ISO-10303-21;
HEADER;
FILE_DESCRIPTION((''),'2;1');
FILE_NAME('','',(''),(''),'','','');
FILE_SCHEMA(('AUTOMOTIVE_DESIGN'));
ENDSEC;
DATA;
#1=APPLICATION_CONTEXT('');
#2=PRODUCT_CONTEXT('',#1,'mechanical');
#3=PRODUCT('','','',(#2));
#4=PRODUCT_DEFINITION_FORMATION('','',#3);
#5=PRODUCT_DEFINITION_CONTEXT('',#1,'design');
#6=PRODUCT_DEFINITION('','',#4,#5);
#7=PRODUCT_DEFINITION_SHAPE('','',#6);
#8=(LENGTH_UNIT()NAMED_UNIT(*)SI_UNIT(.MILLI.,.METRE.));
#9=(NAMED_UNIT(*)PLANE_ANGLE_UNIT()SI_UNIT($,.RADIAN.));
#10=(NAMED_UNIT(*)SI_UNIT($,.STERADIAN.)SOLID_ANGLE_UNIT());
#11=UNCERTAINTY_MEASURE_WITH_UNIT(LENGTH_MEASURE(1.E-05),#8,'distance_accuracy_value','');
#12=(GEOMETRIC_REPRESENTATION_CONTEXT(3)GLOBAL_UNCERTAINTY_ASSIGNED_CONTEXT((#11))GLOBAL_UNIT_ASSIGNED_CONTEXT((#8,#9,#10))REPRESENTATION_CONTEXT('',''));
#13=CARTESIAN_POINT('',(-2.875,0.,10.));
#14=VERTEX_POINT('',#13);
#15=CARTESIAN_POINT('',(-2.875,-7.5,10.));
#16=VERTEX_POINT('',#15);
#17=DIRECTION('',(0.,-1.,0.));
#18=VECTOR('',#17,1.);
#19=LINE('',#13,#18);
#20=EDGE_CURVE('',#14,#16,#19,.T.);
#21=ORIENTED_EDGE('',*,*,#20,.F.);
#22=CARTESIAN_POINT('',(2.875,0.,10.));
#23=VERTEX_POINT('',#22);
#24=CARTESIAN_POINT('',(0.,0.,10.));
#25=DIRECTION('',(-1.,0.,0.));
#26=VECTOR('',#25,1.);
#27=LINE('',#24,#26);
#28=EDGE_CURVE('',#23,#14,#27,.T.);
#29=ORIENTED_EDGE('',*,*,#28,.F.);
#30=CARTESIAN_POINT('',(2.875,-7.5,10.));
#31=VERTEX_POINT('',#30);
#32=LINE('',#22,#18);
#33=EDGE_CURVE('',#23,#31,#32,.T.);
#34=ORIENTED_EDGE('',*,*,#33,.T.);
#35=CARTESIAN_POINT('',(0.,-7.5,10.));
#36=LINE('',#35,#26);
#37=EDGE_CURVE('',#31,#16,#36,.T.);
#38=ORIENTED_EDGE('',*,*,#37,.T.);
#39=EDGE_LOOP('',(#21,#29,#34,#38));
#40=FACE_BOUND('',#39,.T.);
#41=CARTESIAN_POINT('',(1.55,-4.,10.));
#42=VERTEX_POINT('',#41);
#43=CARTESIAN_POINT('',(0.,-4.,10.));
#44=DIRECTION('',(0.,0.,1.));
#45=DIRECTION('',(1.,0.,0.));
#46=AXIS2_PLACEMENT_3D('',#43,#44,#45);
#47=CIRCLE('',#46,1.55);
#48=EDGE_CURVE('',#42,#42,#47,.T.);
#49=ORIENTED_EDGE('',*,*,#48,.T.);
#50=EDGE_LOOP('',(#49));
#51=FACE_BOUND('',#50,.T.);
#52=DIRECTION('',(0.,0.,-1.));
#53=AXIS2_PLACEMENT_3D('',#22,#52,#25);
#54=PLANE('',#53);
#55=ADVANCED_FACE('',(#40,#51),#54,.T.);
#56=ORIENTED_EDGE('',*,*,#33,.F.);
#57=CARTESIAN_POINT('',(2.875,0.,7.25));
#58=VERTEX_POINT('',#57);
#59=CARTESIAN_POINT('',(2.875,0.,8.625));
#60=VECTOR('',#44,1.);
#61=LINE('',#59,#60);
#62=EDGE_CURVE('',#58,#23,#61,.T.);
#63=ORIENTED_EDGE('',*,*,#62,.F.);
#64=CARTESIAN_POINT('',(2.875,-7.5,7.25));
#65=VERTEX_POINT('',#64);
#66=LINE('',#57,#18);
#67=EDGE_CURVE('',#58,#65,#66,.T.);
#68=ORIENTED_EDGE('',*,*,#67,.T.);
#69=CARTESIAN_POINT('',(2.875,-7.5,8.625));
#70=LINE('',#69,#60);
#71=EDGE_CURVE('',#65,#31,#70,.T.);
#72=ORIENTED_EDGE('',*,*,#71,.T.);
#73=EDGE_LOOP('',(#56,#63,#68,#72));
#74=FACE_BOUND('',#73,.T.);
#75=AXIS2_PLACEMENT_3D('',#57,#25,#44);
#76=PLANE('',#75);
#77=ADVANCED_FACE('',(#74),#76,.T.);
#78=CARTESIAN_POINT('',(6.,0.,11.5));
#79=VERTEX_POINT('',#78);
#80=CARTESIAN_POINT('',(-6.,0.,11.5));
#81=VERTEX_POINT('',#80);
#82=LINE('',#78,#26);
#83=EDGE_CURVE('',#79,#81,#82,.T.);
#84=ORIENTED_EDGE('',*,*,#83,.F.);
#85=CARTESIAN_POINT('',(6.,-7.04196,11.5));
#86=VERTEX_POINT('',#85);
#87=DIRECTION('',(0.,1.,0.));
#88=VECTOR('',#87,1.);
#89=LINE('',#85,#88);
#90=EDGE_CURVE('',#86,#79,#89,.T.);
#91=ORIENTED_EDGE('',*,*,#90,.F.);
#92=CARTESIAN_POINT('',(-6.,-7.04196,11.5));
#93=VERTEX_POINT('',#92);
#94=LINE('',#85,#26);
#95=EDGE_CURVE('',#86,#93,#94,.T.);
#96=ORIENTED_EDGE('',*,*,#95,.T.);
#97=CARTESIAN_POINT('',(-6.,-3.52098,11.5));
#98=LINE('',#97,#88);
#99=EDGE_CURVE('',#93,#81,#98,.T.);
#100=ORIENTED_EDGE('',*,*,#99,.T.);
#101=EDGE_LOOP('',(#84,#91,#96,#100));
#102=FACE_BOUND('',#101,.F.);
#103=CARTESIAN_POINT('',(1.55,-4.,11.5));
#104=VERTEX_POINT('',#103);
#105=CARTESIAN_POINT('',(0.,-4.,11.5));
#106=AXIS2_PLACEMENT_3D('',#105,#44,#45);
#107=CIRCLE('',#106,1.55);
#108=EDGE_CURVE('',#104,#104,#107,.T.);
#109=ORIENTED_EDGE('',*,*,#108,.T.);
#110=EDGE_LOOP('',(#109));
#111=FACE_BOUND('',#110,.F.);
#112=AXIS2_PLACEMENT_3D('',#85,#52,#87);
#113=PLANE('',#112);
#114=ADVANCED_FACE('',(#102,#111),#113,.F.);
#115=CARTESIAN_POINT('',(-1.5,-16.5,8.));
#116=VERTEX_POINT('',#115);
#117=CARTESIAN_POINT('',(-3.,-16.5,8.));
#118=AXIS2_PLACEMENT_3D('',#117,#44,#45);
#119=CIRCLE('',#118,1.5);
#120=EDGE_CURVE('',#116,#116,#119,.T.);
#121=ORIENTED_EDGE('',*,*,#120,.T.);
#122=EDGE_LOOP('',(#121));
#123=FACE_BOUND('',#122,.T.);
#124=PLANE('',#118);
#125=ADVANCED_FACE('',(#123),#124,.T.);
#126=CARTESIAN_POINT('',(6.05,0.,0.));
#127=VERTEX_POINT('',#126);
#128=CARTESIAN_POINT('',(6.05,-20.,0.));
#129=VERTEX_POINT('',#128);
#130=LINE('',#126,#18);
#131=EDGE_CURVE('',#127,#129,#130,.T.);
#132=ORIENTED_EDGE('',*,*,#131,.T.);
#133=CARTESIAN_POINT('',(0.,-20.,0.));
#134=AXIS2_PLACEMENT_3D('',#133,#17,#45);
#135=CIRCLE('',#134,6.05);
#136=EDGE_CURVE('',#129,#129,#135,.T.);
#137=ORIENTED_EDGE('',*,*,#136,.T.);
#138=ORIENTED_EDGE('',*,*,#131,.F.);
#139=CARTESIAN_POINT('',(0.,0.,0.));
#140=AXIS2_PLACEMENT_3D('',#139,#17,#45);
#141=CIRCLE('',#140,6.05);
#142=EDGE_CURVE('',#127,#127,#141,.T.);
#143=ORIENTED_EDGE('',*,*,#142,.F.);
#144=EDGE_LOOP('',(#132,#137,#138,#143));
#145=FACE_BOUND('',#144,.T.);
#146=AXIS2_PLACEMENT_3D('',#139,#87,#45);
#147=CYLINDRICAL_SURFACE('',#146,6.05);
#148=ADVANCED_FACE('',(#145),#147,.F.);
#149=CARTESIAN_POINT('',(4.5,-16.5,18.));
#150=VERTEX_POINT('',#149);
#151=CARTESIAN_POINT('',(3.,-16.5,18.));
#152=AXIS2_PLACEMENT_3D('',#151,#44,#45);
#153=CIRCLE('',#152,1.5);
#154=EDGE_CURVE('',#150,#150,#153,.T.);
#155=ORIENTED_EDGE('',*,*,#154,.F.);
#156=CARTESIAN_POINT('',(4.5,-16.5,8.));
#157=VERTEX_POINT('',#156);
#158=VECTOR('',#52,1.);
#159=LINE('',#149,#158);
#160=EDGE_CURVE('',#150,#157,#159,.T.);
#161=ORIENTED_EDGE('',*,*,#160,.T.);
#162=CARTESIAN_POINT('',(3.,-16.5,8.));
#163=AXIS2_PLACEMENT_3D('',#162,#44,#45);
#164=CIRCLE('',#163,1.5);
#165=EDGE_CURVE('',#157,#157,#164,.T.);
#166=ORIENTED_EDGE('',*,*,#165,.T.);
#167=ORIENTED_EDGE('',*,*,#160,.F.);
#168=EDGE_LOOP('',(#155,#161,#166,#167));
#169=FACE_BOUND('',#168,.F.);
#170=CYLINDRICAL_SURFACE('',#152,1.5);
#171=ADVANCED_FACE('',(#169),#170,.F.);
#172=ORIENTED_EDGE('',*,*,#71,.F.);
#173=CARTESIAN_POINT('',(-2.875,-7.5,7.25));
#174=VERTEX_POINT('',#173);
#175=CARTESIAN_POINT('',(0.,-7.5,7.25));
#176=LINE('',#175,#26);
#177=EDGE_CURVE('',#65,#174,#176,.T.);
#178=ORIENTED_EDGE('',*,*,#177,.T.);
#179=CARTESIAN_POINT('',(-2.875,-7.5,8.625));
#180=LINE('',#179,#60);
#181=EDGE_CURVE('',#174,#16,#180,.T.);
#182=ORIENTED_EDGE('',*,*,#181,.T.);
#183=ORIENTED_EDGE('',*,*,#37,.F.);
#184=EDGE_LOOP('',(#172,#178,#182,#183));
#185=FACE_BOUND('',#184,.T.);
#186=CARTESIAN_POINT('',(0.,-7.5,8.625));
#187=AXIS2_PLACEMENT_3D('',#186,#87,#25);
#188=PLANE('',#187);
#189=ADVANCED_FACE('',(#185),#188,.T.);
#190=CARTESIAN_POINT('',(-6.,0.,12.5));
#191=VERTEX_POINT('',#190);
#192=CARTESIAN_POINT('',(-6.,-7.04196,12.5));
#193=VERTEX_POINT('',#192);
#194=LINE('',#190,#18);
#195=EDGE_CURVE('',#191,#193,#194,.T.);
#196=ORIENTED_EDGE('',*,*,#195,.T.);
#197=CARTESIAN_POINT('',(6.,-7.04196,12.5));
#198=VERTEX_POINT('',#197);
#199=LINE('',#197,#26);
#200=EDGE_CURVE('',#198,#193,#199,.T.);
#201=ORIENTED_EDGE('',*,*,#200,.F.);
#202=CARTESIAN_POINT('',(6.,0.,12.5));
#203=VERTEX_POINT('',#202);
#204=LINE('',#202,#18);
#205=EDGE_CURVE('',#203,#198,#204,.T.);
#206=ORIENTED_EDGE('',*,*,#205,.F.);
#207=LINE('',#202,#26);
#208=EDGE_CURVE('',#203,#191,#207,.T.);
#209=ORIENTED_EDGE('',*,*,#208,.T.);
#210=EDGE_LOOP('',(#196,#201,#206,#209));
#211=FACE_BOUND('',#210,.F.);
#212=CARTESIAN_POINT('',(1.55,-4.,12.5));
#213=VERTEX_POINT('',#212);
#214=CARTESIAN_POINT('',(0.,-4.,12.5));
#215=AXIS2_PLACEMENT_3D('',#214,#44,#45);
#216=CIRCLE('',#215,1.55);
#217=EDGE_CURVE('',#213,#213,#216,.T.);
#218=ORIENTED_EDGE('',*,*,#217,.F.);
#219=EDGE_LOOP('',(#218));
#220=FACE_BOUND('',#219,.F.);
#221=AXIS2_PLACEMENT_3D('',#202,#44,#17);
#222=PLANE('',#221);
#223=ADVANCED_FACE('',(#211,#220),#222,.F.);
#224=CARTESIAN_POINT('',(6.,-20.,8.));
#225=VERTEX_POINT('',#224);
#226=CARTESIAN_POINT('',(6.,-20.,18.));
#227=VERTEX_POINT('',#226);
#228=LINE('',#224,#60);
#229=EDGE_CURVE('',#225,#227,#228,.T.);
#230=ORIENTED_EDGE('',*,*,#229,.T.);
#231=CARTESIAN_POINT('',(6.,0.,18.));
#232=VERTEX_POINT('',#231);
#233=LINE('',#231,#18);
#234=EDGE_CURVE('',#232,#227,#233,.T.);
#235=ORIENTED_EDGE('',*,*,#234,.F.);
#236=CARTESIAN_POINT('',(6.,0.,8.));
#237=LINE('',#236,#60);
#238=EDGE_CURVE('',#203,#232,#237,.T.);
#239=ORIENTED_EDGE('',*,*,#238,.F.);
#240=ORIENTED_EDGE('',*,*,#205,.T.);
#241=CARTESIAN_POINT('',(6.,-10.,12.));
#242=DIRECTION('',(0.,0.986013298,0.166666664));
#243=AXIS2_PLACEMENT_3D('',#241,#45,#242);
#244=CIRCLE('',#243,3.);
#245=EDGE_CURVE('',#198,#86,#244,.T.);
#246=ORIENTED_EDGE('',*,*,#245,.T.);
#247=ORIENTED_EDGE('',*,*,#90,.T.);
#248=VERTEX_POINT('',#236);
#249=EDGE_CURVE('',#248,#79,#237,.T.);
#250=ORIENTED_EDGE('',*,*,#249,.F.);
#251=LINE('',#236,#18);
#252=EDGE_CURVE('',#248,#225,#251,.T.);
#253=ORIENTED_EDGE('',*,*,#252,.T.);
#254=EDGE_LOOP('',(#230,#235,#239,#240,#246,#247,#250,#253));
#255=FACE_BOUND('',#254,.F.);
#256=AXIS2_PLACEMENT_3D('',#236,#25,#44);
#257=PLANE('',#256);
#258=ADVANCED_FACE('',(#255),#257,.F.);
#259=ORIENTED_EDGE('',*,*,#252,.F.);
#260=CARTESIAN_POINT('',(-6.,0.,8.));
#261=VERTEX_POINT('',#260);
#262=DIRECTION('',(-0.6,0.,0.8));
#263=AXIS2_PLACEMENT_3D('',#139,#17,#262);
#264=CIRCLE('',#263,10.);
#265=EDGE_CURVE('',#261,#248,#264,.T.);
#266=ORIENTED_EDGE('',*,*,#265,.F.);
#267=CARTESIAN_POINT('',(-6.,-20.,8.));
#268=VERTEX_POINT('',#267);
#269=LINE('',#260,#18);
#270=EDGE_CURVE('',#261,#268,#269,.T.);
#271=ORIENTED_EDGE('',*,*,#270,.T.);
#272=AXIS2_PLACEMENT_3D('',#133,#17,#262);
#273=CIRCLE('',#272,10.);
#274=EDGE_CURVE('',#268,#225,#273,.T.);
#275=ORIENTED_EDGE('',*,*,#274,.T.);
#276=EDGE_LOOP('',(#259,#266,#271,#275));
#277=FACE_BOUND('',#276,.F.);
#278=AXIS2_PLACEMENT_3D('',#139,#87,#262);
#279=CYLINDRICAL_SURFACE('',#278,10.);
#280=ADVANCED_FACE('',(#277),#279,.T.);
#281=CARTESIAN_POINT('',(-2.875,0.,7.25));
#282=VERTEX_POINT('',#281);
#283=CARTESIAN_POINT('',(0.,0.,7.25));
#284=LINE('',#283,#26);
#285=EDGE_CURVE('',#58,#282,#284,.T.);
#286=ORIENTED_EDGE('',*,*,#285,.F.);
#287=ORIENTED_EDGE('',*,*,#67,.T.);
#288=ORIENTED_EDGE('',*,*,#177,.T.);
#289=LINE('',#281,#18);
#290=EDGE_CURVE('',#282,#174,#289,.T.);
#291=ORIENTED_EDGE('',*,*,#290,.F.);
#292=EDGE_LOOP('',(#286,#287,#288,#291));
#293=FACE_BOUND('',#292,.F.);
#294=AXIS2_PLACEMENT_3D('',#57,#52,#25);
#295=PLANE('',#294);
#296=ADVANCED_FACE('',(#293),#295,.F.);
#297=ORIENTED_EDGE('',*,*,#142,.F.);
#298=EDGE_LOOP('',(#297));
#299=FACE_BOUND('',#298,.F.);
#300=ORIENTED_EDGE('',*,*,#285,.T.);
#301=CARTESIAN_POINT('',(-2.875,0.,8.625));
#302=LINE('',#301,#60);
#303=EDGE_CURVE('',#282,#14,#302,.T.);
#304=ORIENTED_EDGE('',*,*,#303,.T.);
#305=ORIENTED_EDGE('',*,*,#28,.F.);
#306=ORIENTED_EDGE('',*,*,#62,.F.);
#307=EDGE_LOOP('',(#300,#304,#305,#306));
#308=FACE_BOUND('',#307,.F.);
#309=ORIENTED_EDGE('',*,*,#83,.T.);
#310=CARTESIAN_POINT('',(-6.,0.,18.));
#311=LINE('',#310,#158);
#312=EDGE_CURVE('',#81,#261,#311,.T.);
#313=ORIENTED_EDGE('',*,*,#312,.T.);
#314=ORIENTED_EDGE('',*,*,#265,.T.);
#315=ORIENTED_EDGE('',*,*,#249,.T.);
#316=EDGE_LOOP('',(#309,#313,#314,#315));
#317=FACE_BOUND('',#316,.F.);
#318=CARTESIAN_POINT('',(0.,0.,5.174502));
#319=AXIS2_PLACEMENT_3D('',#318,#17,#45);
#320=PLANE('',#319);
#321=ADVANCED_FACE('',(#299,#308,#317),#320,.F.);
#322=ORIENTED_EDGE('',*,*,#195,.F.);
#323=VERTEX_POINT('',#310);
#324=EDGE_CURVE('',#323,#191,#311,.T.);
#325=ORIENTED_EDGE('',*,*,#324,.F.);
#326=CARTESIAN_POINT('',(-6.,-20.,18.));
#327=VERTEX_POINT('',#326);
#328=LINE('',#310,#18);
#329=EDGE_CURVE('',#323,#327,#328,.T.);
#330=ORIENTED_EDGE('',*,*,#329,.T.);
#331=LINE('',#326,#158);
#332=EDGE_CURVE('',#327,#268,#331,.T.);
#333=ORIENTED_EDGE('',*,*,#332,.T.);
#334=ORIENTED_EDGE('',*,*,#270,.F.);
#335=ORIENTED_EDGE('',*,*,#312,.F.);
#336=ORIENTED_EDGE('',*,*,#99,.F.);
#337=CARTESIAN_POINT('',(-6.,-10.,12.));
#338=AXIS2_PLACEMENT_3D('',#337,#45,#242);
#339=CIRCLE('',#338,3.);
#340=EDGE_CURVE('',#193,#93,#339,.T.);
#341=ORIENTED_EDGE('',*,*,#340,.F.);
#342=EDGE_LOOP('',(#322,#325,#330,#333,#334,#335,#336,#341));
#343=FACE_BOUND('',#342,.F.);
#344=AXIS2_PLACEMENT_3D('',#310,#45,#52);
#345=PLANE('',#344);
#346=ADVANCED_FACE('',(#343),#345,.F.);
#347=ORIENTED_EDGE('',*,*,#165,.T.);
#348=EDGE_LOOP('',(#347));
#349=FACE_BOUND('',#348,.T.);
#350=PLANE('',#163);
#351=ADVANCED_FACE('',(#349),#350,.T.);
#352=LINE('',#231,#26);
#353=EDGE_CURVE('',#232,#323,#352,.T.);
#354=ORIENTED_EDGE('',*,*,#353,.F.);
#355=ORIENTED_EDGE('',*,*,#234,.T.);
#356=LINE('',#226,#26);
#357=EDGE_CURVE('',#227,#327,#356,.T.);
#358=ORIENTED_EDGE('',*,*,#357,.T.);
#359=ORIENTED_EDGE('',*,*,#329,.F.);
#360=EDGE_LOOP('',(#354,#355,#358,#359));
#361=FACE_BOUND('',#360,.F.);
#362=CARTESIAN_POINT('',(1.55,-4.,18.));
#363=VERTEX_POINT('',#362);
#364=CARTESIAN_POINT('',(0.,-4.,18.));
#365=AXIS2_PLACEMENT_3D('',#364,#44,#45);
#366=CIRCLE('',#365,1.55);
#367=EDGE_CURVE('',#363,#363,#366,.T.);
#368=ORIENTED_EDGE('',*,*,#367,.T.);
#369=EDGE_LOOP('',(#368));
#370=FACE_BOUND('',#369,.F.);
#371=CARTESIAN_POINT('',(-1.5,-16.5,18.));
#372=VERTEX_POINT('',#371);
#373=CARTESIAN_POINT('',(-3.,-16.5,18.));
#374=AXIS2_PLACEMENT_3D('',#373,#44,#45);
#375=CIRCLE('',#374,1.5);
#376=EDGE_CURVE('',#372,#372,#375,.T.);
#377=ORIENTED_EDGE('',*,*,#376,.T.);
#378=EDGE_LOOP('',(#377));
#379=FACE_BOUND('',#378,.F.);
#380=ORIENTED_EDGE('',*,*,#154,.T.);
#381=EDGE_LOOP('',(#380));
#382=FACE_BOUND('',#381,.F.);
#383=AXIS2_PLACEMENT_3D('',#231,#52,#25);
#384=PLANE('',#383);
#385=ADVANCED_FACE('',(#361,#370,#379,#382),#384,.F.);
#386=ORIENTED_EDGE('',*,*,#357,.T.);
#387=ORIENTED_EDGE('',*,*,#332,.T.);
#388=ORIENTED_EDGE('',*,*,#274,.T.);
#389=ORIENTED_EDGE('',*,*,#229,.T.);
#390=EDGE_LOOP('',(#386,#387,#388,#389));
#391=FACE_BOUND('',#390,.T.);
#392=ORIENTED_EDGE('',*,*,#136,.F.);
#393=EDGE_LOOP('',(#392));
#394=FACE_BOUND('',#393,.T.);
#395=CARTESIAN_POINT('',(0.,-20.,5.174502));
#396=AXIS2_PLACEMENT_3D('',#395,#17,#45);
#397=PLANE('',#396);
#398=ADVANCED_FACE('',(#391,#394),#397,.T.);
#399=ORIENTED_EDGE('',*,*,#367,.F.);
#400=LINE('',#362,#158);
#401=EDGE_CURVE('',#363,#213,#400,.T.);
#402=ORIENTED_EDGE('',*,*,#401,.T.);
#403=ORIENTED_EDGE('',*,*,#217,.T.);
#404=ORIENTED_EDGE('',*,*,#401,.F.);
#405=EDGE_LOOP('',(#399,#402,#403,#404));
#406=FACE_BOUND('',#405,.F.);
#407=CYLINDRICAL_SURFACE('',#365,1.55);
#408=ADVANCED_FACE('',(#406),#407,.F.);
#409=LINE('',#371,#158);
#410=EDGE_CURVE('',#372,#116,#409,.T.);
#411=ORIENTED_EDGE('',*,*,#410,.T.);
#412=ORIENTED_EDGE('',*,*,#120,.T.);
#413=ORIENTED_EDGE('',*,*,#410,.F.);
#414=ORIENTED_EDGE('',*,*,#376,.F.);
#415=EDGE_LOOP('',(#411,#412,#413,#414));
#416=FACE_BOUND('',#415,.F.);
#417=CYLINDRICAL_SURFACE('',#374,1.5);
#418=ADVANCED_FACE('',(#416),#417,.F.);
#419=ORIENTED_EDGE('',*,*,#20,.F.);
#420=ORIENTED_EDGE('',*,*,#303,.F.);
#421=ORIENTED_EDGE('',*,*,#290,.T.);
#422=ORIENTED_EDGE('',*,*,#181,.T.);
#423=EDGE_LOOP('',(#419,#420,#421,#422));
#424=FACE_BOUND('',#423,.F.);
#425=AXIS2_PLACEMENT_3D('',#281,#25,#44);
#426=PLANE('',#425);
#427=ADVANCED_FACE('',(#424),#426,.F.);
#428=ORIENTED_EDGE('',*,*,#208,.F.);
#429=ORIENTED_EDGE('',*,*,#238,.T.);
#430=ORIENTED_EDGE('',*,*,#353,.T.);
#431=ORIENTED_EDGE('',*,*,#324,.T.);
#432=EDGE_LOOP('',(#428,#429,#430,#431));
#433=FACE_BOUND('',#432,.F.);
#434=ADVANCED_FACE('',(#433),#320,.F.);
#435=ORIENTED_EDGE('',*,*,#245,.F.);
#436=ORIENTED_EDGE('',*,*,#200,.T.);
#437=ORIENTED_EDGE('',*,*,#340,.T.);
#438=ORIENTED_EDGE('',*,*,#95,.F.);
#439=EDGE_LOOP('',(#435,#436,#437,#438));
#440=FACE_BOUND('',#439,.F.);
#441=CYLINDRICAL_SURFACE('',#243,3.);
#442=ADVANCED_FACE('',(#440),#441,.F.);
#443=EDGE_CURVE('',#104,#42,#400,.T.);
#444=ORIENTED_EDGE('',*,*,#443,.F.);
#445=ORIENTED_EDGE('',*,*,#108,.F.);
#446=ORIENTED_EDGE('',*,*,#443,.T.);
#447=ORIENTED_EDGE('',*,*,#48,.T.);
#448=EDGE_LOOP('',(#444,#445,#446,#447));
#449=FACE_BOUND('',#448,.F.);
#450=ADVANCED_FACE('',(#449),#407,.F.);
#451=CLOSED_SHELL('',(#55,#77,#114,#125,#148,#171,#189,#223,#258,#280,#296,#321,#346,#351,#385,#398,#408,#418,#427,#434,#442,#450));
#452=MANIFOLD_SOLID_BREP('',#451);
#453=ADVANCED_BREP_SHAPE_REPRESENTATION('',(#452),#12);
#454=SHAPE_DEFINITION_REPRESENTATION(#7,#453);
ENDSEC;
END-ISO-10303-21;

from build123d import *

# Parameters (mm, degrees)
F0_R      = 6.05
F1_DEPTH  = 20
F3_DEPTH  = 25
F4_W      = 5.75
F4_H      = 2.75
F5_DEPTH  = 7.5
F6_R      = 1.55
F7_DEPTH  = 10
F9_R      = 1.5
F10_DEPTH = 10


with BuildPart() as f1:
    # F0 (on Front) → F1 (new body)
    with BuildSketch(Plane.XZ):
        with BuildLine():
            Line((-6, 18), (-6, 8))
            ThreePointArc((-6, 8), (0, -10), (6, 8))
            Line((6, 8), (6, 18))
            Line((6, 18), (-6, 18))
        make_face()
        Circle(F0_R, mode=Mode.SUBTRACT)
    extrude(amount=F1_DEPTH)

    # F2 (on face) → F3 (cut)
    with BuildSketch(Plane.YZ.offset(6)):
        with BuildLine():
            Line((0, 12.5), (-7.04196, 12.5))
            ThreePointArc((-7.04196, 12.5), (-13, 12), (-7.04196, 11.5))
            Line((-7.04196, 11.5), (0, 11.5))
            Line((0, 11.5), (0, 12.5))
        make_face()
    extrude(amount=-F3_DEPTH, mode=Mode.SUBTRACT)

    # F4 (on face) → F5 (cut)
    with BuildSketch(Plane(origin=(0, 0, 0), x_dir=(-1, 0, 0), z_dir=(0, 1, 0))):
        with Locations((0, 8.625)):
            Rectangle(F4_W, F4_H)
    extrude(amount=-F5_DEPTH, mode=Mode.SUBTRACT)

    # F6 (on face) → F7 (cut)
    with BuildSketch(Plane.XY.offset(18)):
        with Locations((0, -4)):
            Circle(F6_R)
    extrude(amount=-F7_DEPTH, mode=Mode.SUBTRACT)

    # F9 (on face) → F10 (cut)
    with BuildSketch(Plane.XY.offset(18)):
        with Locations((-3, -16.5)):
            Circle(F9_R)
        with Locations((3, -16.5)):
            Circle(F9_R)
    extrude(amount=-F10_DEPTH, mode=Mode.SUBTRACT)


solid = f1.part
